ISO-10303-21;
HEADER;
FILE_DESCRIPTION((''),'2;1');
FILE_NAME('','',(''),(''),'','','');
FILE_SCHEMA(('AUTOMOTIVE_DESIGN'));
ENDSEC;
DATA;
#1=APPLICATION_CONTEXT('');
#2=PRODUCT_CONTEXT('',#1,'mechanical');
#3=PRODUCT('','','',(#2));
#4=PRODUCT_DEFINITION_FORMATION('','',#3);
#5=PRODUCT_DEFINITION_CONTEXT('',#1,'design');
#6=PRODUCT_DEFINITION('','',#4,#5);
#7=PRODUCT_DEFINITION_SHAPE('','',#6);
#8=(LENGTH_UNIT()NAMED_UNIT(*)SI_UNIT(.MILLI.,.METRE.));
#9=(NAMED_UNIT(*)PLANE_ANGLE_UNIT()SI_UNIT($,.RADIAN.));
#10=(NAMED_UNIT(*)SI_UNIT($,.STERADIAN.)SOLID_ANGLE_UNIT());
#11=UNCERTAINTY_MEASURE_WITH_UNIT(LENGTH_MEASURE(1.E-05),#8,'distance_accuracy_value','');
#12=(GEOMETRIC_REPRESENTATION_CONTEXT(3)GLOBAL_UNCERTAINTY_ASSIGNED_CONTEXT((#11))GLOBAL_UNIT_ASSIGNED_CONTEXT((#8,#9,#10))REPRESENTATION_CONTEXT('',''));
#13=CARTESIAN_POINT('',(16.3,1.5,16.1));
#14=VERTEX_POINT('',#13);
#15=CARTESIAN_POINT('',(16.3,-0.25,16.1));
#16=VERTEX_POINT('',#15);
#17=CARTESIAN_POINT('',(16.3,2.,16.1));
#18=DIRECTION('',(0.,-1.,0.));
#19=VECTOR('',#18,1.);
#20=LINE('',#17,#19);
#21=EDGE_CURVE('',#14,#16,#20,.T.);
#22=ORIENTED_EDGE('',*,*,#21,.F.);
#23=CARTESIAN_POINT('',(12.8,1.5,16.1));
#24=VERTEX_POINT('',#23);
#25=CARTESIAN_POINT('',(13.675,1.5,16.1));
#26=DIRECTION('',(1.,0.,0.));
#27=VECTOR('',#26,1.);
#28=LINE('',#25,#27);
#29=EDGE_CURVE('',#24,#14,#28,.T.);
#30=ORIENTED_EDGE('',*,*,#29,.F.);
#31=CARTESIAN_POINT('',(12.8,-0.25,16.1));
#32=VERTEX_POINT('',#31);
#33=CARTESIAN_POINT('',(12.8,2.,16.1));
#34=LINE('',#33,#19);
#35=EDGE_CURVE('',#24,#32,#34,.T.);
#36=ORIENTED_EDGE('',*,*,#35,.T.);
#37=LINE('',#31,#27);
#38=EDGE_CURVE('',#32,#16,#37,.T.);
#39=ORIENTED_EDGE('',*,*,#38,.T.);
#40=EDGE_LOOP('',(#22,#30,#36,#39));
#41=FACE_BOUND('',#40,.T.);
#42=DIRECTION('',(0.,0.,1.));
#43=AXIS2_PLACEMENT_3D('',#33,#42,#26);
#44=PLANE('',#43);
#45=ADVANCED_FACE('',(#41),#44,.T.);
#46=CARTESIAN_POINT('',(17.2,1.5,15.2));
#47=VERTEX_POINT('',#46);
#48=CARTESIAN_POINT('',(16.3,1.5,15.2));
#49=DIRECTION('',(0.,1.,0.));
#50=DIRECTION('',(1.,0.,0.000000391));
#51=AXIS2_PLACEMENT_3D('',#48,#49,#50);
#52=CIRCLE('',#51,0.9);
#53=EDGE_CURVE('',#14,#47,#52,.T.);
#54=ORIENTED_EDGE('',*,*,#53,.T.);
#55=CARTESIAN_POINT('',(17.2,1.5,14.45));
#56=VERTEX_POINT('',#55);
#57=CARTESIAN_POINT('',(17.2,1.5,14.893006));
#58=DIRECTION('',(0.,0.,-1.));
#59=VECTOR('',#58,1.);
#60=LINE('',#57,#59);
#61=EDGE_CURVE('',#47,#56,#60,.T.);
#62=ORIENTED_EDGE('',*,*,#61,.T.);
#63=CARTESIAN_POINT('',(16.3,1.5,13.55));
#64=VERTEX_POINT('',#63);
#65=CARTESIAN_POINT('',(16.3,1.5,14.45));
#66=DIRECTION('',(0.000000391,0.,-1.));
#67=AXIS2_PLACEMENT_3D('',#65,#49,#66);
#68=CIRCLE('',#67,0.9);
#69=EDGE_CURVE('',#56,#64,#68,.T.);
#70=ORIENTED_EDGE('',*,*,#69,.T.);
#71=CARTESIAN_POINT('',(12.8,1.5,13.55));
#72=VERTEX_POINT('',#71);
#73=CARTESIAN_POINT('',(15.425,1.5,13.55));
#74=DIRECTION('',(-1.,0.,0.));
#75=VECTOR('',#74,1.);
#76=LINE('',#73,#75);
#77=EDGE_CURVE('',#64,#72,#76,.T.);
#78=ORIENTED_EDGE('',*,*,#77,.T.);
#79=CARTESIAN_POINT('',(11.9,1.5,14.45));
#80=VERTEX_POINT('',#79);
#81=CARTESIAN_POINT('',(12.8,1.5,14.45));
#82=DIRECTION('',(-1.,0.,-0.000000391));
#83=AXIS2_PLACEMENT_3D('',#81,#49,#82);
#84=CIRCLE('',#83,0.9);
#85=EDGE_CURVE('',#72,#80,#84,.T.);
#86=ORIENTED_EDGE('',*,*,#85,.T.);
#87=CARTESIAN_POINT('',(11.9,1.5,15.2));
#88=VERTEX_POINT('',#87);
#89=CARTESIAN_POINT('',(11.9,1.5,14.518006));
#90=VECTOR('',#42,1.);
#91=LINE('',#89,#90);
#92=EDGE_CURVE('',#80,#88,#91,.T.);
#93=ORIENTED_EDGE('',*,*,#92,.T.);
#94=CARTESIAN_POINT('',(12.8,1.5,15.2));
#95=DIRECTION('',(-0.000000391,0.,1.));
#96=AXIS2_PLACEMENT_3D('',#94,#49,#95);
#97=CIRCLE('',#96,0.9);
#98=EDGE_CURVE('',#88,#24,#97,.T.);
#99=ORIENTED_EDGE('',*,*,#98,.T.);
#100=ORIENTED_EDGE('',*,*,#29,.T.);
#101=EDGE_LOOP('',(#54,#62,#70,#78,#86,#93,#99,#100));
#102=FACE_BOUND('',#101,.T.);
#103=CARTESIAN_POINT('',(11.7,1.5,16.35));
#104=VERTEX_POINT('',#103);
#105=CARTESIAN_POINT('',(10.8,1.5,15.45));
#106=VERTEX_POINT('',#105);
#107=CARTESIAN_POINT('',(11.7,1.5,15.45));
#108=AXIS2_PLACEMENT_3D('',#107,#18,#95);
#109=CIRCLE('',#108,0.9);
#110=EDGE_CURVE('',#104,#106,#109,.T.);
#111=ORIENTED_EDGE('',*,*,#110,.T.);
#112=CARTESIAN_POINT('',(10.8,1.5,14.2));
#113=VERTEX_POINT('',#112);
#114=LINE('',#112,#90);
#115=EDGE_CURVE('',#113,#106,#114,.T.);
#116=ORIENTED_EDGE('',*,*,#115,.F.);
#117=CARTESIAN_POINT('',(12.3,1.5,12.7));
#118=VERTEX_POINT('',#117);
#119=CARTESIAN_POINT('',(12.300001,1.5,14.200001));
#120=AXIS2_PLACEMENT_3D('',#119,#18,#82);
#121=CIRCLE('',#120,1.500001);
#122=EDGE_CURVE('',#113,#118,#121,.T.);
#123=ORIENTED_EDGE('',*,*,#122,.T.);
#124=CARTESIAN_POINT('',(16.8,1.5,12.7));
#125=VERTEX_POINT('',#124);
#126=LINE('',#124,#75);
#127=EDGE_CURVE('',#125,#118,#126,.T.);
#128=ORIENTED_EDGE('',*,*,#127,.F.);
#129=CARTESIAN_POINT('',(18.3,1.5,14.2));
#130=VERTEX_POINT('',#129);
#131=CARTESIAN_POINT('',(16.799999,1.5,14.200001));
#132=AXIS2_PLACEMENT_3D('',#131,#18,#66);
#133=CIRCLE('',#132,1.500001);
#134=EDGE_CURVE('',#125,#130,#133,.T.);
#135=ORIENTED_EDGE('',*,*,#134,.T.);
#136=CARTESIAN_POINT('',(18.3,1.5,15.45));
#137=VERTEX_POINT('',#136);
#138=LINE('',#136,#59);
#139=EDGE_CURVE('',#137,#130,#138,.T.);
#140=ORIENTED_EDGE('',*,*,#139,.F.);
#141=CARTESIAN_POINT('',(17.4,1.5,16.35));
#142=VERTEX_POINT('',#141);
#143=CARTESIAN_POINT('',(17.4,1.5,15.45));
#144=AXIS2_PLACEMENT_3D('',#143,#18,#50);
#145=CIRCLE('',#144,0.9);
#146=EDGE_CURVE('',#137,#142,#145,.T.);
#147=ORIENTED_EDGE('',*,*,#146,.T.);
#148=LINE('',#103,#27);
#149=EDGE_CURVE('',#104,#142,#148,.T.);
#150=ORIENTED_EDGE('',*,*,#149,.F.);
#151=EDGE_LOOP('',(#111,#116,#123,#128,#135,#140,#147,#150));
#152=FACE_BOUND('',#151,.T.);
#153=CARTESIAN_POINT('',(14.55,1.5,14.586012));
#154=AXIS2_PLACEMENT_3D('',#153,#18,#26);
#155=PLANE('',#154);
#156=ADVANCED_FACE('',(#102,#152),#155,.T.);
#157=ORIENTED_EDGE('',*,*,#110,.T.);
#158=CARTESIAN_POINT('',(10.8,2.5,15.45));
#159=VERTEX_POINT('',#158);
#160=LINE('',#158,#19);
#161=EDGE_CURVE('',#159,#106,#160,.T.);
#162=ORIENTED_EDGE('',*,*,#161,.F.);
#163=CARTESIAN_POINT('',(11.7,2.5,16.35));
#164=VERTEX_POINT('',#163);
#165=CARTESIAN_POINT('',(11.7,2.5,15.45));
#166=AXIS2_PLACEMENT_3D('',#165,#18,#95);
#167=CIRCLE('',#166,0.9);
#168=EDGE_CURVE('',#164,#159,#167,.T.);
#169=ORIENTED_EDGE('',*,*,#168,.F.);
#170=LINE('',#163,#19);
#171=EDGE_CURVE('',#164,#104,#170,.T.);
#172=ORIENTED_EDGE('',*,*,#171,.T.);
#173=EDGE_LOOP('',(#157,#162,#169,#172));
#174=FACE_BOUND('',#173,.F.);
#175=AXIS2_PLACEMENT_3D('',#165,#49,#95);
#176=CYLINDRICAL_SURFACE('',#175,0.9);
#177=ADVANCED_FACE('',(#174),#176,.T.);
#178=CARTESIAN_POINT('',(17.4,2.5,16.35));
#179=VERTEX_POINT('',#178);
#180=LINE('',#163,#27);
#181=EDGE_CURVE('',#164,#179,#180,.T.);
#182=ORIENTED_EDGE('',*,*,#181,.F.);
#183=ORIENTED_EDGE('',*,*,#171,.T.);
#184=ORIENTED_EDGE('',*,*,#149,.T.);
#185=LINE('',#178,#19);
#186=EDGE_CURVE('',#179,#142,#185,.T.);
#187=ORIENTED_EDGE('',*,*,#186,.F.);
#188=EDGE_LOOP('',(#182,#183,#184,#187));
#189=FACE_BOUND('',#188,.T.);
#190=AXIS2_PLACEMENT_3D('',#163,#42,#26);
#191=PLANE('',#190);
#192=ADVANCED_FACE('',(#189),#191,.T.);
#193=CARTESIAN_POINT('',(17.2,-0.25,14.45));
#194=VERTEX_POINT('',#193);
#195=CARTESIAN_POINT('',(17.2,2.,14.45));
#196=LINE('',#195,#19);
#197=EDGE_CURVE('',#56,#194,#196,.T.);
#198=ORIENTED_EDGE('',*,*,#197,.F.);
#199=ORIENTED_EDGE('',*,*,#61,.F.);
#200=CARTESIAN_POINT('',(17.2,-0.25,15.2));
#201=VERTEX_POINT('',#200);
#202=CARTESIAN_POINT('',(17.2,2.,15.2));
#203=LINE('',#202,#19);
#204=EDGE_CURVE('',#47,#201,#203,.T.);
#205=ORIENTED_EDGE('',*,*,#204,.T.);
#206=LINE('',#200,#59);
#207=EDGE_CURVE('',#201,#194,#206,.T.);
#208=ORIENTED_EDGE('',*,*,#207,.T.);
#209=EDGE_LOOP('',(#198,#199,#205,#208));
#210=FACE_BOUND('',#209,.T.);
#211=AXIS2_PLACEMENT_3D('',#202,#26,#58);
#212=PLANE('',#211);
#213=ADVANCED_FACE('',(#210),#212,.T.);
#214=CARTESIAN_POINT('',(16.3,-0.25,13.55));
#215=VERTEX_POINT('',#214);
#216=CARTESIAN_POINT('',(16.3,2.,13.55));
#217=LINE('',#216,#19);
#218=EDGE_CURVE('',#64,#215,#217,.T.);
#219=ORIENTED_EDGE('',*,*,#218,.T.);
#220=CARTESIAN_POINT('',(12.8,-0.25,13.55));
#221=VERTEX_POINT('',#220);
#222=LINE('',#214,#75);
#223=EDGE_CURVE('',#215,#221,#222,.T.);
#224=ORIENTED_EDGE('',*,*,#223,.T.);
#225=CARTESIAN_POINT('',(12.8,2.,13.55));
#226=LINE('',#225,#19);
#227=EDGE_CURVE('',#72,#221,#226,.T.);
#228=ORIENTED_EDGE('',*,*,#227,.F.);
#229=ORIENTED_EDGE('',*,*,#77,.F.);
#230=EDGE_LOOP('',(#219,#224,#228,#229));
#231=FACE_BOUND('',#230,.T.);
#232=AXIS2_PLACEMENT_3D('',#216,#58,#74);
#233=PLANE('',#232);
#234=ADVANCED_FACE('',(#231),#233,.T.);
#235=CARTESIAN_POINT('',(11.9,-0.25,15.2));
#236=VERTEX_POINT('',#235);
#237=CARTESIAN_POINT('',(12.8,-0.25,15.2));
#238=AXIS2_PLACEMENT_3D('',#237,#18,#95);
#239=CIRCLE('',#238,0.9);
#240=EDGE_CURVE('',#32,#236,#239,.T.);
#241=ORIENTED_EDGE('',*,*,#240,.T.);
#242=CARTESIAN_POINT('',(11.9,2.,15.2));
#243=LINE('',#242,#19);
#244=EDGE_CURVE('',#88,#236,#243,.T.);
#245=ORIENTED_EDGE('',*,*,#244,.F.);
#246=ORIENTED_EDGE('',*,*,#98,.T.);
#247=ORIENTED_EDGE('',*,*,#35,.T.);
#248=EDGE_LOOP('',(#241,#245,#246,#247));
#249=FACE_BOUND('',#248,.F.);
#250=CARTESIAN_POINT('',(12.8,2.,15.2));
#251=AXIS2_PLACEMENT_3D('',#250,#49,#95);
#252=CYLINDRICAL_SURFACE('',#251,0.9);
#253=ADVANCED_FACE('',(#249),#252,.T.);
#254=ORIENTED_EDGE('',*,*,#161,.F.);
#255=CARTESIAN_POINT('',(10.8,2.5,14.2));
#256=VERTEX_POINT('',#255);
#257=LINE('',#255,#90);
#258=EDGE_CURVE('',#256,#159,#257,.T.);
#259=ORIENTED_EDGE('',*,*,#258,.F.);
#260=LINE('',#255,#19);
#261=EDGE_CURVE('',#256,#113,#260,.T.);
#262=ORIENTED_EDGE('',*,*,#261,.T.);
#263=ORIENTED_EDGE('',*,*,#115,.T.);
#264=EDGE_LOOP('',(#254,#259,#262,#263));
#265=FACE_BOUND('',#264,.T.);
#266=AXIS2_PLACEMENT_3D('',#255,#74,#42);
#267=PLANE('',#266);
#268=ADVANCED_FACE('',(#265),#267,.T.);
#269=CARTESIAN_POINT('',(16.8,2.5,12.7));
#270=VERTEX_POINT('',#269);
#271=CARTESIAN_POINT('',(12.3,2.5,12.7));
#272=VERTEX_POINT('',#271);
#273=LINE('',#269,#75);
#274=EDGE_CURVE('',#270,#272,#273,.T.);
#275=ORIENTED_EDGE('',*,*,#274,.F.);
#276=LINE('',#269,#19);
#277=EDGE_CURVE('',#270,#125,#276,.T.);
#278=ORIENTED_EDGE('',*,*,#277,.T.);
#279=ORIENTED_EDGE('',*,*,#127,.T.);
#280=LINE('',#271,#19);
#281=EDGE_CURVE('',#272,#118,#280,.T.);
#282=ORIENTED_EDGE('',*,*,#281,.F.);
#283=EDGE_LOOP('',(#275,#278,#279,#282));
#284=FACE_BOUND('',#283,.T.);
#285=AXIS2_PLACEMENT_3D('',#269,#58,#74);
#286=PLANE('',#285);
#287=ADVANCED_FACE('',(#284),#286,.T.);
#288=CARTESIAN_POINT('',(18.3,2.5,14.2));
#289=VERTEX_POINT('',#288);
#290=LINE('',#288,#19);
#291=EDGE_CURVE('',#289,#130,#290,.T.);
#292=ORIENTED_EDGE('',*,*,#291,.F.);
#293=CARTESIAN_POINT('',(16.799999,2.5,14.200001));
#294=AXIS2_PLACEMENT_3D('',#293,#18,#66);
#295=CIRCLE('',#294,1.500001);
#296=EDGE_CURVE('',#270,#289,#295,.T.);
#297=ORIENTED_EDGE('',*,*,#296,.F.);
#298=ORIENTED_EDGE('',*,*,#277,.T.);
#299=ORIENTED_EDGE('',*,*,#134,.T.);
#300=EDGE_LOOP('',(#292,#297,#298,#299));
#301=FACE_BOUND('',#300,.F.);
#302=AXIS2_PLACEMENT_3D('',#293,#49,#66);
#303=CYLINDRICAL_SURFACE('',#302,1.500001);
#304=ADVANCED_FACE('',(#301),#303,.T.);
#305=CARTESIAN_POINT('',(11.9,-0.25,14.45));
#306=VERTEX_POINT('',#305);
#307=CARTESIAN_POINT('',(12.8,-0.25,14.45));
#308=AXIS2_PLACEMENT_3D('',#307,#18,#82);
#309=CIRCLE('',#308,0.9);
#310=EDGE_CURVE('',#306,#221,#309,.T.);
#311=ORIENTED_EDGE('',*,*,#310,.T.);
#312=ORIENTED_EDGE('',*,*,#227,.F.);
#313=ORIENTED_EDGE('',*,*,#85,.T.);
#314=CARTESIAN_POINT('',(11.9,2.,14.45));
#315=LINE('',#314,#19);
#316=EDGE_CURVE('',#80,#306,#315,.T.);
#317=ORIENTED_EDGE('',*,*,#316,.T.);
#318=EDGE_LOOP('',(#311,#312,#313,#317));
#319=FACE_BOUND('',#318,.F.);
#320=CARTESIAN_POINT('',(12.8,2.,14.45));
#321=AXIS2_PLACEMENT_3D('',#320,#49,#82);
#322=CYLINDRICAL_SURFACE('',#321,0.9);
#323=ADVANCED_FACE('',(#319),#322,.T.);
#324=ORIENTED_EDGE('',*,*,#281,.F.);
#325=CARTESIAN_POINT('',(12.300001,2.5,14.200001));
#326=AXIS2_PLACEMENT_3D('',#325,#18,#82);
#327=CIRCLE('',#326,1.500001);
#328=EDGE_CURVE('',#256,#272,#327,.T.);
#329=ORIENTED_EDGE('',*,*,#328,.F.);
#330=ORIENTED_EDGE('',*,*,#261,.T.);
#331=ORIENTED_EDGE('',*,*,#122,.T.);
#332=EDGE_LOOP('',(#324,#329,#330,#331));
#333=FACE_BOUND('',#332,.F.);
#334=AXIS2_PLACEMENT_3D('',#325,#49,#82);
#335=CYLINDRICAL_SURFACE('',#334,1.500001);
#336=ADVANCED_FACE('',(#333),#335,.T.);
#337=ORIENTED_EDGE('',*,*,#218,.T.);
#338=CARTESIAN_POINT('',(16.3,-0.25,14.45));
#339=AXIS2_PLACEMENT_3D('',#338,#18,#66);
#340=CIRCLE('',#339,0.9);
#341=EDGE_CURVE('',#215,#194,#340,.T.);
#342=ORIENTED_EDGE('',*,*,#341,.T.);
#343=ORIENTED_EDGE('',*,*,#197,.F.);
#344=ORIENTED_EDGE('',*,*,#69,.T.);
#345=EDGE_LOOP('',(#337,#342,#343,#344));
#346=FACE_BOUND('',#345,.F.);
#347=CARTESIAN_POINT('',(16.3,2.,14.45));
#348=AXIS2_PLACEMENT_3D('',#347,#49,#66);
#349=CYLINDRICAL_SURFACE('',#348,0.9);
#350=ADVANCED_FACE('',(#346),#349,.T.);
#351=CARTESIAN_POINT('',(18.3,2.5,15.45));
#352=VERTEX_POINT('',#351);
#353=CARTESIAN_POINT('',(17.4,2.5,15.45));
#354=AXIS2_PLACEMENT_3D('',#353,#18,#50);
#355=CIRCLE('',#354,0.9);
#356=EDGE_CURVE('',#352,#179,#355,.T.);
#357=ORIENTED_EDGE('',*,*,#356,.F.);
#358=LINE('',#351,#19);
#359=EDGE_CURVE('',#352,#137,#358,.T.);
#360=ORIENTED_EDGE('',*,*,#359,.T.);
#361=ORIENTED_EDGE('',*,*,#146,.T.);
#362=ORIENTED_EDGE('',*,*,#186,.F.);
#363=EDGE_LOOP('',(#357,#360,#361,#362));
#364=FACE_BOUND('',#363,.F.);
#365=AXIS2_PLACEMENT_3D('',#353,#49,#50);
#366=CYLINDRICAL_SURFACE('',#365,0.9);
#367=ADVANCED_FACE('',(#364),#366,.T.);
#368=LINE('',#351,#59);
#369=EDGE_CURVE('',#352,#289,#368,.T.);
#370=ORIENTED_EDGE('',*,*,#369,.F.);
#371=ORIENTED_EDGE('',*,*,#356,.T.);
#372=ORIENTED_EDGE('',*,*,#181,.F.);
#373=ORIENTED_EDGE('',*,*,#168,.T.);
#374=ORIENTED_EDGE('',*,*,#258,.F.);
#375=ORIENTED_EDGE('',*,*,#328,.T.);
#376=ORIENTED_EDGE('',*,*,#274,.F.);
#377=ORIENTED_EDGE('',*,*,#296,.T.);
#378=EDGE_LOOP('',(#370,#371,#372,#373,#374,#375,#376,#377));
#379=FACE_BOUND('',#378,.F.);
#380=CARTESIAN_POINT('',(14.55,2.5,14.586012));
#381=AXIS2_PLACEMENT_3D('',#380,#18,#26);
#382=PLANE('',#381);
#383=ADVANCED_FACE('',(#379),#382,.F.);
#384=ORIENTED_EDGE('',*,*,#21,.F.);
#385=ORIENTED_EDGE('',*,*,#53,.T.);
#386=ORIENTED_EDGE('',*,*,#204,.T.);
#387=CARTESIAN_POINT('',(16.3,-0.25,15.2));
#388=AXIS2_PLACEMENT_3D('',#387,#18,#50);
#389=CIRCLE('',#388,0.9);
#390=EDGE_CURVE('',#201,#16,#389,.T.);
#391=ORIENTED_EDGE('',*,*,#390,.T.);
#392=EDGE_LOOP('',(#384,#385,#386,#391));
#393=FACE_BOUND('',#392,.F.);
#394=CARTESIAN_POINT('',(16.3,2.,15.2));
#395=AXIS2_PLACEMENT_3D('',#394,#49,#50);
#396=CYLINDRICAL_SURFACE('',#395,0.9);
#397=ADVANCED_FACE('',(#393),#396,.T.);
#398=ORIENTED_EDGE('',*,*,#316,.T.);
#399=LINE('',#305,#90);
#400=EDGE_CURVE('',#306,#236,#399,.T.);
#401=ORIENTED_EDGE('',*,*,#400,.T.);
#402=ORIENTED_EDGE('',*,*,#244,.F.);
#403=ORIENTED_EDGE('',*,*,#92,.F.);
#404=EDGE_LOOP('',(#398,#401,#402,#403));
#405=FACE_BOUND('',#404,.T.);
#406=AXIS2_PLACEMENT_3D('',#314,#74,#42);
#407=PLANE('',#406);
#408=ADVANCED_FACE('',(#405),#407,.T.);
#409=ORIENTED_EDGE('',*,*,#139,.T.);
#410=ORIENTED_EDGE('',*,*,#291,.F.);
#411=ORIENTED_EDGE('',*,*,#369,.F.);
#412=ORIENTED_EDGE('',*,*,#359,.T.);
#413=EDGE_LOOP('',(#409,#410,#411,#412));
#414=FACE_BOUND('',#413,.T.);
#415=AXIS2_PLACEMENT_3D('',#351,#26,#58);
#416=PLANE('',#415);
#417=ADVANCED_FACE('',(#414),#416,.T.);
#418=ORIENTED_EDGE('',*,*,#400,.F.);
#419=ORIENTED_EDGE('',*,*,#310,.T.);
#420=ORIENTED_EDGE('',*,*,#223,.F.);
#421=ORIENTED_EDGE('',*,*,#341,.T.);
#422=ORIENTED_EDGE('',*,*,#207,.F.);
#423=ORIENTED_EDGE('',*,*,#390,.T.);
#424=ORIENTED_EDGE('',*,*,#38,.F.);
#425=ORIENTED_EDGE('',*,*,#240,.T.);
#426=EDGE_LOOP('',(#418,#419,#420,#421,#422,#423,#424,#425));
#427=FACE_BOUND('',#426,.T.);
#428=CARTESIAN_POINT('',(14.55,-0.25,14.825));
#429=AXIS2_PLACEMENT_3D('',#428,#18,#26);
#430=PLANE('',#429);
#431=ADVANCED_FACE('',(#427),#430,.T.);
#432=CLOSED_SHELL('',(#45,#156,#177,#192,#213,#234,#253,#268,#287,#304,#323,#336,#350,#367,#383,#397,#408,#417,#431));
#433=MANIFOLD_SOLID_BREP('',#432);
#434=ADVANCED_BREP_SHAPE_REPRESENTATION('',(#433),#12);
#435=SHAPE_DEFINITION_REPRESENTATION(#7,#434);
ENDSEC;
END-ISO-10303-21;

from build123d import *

# Parameters (mm, degrees)
EXTRUDE015_DEPTH = 1
EXTRUDE014_DEPTH = 2.25


with BuildPart() as extrude015:
    # Sketch015 → Extrude015 (new body)
    with BuildSketch(Plane.XZ):
        with BuildLine():
            ThreePointArc((11.7, 16.35), (11.063604, 16.086396), (10.8, 15.45))
            Line((10.8, 14.2), (10.8, 15.45))
            ThreePointArc((10.8, 14.2), (11.23934, 13.13934), (12.3, 12.7))
            Line((16.8, 12.7), (12.3, 12.7))
            ThreePointArc((16.8, 12.7), (17.86066, 13.13934), (18.3, 14.2))
            Line((18.3, 15.45), (18.3, 14.2))
            ThreePointArc((18.3, 15.45), (18.036396, 16.086396), (17.4, 16.35))
            Line((11.7, 16.35), (17.4, 16.35))
        make_face()
    extrude(amount=EXTRUDE015_DEPTH)


with BuildPart() as extrude015_1:
    # Extrude015 placement: moved
    add(extrude015.part.moved(Location((0, 2.5, 0))))


with BuildPart() as button1:
    # Sketch014 → Extrude014 (new body)
    with BuildSketch(Plane.XZ):
        with BuildLine():
            ThreePointArc((12.8, 16.1), (12.163604, 15.836396), (11.9, 15.2))
            Line((11.9, 14.45), (11.9, 15.2))
            ThreePointArc((11.9, 14.45), (12.163604, 13.813604), (12.8, 13.55))
            Line((16.3, 13.55), (12.8, 13.55))
            ThreePointArc((16.3, 13.55), (16.936396, 13.813604), (17.2, 14.45))
            Line((17.2, 15.2), (17.2, 14.45))
            ThreePointArc((17.2, 15.2), (16.936396, 15.836396), (16.3, 16.1))
            Line((12.8, 16.1), (16.3, 16.1))
        make_face()
    extrude(amount=EXTRUDE014_DEPTH)


with BuildPart() as button1_1:
    # Extrude014 placement: moved
    add(button1.part.moved(Location((0, 2, 0))))

    # Fusion018: union Extrude015
    add(extrude015_1.part)


solid = button1_1.part
